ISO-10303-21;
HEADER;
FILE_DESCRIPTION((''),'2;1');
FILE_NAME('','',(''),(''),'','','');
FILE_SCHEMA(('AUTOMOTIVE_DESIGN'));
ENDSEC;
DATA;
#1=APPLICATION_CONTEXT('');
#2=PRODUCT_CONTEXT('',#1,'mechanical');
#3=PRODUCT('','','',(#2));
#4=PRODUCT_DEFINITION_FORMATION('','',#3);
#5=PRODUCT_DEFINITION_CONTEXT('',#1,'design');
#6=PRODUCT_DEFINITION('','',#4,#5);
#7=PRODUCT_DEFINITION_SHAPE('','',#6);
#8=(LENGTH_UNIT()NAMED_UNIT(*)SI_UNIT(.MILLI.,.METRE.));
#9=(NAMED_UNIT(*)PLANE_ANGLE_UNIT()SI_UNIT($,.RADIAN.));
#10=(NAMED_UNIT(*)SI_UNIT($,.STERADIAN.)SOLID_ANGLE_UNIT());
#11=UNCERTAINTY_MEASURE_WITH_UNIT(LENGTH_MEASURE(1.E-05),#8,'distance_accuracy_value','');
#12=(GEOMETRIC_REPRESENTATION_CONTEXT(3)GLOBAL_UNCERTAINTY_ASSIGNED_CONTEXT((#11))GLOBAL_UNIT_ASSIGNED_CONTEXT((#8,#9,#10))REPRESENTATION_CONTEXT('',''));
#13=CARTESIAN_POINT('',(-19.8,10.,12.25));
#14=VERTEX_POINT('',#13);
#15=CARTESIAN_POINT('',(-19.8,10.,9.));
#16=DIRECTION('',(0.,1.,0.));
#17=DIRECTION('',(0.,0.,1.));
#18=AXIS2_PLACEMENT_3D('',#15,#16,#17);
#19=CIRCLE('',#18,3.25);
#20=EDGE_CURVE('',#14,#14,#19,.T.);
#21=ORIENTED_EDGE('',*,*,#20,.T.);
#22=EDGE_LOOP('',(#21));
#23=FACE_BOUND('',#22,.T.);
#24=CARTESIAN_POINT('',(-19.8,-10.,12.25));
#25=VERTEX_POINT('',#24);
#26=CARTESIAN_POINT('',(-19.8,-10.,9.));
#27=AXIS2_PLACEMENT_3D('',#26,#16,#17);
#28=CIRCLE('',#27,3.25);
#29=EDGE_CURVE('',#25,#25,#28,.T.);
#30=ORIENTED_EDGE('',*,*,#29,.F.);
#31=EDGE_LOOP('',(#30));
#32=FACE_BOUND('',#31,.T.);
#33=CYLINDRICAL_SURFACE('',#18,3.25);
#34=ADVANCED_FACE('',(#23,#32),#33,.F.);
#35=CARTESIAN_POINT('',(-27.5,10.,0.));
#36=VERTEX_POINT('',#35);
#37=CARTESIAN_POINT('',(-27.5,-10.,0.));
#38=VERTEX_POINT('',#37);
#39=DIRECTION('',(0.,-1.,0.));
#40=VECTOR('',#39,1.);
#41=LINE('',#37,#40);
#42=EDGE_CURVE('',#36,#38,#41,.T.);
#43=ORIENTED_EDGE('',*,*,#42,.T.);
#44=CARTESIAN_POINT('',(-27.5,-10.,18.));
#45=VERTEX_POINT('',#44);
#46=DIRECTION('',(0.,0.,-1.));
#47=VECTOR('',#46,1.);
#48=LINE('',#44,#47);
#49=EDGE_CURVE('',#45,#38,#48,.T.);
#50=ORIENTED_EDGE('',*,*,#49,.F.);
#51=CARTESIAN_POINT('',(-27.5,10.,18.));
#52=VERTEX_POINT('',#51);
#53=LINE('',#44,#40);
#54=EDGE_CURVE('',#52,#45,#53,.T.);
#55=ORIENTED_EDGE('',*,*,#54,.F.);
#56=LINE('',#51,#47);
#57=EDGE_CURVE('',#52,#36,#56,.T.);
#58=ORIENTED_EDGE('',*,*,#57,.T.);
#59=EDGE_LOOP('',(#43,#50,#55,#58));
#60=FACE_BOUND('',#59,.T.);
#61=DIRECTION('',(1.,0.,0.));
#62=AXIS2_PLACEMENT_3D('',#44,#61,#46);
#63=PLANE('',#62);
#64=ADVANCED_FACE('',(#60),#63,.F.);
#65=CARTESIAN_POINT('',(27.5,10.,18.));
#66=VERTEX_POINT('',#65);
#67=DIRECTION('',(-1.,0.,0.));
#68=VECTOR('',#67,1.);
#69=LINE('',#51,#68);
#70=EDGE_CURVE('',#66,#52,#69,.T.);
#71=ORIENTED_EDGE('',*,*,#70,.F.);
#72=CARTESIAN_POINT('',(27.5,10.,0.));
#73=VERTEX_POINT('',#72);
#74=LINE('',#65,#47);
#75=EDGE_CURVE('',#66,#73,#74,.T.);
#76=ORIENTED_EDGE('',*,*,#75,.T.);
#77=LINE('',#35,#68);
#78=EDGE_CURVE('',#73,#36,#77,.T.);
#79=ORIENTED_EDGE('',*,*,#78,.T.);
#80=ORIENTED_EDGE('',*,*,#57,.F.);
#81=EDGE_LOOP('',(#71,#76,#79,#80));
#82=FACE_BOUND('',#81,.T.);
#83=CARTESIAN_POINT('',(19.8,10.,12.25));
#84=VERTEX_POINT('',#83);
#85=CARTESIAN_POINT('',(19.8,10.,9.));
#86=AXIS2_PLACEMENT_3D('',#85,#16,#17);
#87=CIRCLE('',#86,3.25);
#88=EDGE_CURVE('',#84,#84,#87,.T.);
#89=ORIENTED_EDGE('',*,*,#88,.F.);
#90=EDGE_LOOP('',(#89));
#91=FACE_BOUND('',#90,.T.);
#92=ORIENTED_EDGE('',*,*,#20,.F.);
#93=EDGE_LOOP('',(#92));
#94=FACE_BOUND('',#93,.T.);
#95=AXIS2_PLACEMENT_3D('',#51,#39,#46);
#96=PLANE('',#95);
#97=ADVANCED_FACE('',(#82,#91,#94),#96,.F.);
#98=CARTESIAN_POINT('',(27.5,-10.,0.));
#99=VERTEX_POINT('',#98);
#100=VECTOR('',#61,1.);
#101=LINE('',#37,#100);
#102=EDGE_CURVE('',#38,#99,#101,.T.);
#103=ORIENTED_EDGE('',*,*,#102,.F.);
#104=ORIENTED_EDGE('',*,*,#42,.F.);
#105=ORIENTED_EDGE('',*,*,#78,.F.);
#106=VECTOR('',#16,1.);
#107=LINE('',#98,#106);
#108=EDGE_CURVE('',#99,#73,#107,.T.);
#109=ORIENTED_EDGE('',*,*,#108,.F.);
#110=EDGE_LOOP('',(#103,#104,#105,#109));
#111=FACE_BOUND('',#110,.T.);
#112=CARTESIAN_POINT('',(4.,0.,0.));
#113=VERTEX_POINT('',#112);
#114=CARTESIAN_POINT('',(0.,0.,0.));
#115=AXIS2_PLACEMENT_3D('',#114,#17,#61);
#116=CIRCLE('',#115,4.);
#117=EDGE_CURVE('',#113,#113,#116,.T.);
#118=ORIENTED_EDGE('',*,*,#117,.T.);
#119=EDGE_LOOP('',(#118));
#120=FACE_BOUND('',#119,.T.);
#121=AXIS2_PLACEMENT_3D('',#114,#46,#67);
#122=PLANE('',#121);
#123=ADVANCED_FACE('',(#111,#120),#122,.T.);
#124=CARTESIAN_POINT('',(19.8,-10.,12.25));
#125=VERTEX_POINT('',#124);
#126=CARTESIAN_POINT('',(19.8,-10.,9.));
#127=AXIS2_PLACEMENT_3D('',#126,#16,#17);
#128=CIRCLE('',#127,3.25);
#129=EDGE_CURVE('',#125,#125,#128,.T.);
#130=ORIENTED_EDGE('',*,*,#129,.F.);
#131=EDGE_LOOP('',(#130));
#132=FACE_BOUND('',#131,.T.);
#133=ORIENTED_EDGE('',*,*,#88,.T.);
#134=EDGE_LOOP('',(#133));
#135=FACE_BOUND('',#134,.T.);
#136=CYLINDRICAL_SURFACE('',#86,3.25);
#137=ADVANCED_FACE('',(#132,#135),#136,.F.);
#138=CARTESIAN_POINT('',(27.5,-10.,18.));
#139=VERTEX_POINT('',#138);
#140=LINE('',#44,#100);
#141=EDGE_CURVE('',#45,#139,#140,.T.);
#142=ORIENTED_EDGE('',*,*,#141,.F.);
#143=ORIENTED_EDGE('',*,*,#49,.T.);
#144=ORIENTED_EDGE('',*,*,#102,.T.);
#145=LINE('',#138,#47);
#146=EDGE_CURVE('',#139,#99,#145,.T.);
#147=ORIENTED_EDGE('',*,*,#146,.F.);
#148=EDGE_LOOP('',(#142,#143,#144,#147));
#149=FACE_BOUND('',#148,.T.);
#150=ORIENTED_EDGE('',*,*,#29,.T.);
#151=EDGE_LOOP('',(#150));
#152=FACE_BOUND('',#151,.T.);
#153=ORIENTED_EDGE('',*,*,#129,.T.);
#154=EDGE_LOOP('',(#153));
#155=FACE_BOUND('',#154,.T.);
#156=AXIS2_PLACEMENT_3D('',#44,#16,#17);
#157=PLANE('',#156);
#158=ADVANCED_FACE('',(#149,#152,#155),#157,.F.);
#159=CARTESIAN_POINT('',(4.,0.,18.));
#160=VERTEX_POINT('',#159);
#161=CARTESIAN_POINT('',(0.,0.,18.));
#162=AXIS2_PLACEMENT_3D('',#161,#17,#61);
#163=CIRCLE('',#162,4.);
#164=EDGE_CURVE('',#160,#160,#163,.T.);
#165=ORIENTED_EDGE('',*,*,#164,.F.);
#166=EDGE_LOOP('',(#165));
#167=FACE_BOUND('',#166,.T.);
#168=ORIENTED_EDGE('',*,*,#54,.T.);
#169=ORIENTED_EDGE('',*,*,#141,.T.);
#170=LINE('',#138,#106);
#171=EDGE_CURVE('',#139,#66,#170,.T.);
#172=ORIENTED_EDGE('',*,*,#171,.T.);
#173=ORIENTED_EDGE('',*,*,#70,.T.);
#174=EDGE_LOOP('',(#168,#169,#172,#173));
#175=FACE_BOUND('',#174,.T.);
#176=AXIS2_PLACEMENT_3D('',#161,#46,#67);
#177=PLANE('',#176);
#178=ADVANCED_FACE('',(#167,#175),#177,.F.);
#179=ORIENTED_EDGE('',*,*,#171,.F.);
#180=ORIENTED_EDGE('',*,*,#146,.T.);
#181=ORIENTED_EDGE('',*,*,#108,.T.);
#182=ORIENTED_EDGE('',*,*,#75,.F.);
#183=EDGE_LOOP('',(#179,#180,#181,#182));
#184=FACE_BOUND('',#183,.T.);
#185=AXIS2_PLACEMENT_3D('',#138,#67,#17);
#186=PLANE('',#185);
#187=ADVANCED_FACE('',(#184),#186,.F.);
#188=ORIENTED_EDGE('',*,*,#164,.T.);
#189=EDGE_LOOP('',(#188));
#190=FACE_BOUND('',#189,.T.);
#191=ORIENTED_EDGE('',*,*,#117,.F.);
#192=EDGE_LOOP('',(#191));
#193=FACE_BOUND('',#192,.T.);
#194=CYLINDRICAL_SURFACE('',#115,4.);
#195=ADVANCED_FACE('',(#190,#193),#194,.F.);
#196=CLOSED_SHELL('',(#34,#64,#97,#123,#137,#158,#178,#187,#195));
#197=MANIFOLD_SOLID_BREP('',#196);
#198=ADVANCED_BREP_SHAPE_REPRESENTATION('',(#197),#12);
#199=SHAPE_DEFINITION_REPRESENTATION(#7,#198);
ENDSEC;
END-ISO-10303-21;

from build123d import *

# Parameters (mm, degrees)
SKETCH_1_W              = 55
SKETCH_1_H              = 20
EXTRUDE_1_DEPTH         = 18
SKETCH_2_R              = 4
CUT_EXTRUDE_1_DEPTH     = 18
HOLE_WIZARD_6_5_6_5_1_D = 6.5


with BuildPart() as part:
    # Эскиз1 → Бобышка-Вытянуть1 (new body)
    with BuildSketch(Plane.XY):
        Rectangle(SKETCH_1_W, SKETCH_1_H)
    extrude(amount=EXTRUDE_1_DEPTH)

    # Эскиз2 → Вырез-Вытянуть1 (cut)
    with BuildSketch(Plane.XY.offset(18)):
        Circle(SKETCH_2_R)
    extrude(amount=-CUT_EXTRUDE_1_DEPTH, mode=Mode.SUBTRACT)

    # Диаметр отверстия Ø6.5 (6.5)1 (through all)
    with Locations(Plane(origin=(0, 10, 0), x_dir=(1, 0, 0), z_dir=(0, 1, 0))):
        with Locations((19.8, -9), (-19.8, -9)):
            Hole(HOLE_WIZARD_6_5_6_5_1_D / 2)


solid = part.part
